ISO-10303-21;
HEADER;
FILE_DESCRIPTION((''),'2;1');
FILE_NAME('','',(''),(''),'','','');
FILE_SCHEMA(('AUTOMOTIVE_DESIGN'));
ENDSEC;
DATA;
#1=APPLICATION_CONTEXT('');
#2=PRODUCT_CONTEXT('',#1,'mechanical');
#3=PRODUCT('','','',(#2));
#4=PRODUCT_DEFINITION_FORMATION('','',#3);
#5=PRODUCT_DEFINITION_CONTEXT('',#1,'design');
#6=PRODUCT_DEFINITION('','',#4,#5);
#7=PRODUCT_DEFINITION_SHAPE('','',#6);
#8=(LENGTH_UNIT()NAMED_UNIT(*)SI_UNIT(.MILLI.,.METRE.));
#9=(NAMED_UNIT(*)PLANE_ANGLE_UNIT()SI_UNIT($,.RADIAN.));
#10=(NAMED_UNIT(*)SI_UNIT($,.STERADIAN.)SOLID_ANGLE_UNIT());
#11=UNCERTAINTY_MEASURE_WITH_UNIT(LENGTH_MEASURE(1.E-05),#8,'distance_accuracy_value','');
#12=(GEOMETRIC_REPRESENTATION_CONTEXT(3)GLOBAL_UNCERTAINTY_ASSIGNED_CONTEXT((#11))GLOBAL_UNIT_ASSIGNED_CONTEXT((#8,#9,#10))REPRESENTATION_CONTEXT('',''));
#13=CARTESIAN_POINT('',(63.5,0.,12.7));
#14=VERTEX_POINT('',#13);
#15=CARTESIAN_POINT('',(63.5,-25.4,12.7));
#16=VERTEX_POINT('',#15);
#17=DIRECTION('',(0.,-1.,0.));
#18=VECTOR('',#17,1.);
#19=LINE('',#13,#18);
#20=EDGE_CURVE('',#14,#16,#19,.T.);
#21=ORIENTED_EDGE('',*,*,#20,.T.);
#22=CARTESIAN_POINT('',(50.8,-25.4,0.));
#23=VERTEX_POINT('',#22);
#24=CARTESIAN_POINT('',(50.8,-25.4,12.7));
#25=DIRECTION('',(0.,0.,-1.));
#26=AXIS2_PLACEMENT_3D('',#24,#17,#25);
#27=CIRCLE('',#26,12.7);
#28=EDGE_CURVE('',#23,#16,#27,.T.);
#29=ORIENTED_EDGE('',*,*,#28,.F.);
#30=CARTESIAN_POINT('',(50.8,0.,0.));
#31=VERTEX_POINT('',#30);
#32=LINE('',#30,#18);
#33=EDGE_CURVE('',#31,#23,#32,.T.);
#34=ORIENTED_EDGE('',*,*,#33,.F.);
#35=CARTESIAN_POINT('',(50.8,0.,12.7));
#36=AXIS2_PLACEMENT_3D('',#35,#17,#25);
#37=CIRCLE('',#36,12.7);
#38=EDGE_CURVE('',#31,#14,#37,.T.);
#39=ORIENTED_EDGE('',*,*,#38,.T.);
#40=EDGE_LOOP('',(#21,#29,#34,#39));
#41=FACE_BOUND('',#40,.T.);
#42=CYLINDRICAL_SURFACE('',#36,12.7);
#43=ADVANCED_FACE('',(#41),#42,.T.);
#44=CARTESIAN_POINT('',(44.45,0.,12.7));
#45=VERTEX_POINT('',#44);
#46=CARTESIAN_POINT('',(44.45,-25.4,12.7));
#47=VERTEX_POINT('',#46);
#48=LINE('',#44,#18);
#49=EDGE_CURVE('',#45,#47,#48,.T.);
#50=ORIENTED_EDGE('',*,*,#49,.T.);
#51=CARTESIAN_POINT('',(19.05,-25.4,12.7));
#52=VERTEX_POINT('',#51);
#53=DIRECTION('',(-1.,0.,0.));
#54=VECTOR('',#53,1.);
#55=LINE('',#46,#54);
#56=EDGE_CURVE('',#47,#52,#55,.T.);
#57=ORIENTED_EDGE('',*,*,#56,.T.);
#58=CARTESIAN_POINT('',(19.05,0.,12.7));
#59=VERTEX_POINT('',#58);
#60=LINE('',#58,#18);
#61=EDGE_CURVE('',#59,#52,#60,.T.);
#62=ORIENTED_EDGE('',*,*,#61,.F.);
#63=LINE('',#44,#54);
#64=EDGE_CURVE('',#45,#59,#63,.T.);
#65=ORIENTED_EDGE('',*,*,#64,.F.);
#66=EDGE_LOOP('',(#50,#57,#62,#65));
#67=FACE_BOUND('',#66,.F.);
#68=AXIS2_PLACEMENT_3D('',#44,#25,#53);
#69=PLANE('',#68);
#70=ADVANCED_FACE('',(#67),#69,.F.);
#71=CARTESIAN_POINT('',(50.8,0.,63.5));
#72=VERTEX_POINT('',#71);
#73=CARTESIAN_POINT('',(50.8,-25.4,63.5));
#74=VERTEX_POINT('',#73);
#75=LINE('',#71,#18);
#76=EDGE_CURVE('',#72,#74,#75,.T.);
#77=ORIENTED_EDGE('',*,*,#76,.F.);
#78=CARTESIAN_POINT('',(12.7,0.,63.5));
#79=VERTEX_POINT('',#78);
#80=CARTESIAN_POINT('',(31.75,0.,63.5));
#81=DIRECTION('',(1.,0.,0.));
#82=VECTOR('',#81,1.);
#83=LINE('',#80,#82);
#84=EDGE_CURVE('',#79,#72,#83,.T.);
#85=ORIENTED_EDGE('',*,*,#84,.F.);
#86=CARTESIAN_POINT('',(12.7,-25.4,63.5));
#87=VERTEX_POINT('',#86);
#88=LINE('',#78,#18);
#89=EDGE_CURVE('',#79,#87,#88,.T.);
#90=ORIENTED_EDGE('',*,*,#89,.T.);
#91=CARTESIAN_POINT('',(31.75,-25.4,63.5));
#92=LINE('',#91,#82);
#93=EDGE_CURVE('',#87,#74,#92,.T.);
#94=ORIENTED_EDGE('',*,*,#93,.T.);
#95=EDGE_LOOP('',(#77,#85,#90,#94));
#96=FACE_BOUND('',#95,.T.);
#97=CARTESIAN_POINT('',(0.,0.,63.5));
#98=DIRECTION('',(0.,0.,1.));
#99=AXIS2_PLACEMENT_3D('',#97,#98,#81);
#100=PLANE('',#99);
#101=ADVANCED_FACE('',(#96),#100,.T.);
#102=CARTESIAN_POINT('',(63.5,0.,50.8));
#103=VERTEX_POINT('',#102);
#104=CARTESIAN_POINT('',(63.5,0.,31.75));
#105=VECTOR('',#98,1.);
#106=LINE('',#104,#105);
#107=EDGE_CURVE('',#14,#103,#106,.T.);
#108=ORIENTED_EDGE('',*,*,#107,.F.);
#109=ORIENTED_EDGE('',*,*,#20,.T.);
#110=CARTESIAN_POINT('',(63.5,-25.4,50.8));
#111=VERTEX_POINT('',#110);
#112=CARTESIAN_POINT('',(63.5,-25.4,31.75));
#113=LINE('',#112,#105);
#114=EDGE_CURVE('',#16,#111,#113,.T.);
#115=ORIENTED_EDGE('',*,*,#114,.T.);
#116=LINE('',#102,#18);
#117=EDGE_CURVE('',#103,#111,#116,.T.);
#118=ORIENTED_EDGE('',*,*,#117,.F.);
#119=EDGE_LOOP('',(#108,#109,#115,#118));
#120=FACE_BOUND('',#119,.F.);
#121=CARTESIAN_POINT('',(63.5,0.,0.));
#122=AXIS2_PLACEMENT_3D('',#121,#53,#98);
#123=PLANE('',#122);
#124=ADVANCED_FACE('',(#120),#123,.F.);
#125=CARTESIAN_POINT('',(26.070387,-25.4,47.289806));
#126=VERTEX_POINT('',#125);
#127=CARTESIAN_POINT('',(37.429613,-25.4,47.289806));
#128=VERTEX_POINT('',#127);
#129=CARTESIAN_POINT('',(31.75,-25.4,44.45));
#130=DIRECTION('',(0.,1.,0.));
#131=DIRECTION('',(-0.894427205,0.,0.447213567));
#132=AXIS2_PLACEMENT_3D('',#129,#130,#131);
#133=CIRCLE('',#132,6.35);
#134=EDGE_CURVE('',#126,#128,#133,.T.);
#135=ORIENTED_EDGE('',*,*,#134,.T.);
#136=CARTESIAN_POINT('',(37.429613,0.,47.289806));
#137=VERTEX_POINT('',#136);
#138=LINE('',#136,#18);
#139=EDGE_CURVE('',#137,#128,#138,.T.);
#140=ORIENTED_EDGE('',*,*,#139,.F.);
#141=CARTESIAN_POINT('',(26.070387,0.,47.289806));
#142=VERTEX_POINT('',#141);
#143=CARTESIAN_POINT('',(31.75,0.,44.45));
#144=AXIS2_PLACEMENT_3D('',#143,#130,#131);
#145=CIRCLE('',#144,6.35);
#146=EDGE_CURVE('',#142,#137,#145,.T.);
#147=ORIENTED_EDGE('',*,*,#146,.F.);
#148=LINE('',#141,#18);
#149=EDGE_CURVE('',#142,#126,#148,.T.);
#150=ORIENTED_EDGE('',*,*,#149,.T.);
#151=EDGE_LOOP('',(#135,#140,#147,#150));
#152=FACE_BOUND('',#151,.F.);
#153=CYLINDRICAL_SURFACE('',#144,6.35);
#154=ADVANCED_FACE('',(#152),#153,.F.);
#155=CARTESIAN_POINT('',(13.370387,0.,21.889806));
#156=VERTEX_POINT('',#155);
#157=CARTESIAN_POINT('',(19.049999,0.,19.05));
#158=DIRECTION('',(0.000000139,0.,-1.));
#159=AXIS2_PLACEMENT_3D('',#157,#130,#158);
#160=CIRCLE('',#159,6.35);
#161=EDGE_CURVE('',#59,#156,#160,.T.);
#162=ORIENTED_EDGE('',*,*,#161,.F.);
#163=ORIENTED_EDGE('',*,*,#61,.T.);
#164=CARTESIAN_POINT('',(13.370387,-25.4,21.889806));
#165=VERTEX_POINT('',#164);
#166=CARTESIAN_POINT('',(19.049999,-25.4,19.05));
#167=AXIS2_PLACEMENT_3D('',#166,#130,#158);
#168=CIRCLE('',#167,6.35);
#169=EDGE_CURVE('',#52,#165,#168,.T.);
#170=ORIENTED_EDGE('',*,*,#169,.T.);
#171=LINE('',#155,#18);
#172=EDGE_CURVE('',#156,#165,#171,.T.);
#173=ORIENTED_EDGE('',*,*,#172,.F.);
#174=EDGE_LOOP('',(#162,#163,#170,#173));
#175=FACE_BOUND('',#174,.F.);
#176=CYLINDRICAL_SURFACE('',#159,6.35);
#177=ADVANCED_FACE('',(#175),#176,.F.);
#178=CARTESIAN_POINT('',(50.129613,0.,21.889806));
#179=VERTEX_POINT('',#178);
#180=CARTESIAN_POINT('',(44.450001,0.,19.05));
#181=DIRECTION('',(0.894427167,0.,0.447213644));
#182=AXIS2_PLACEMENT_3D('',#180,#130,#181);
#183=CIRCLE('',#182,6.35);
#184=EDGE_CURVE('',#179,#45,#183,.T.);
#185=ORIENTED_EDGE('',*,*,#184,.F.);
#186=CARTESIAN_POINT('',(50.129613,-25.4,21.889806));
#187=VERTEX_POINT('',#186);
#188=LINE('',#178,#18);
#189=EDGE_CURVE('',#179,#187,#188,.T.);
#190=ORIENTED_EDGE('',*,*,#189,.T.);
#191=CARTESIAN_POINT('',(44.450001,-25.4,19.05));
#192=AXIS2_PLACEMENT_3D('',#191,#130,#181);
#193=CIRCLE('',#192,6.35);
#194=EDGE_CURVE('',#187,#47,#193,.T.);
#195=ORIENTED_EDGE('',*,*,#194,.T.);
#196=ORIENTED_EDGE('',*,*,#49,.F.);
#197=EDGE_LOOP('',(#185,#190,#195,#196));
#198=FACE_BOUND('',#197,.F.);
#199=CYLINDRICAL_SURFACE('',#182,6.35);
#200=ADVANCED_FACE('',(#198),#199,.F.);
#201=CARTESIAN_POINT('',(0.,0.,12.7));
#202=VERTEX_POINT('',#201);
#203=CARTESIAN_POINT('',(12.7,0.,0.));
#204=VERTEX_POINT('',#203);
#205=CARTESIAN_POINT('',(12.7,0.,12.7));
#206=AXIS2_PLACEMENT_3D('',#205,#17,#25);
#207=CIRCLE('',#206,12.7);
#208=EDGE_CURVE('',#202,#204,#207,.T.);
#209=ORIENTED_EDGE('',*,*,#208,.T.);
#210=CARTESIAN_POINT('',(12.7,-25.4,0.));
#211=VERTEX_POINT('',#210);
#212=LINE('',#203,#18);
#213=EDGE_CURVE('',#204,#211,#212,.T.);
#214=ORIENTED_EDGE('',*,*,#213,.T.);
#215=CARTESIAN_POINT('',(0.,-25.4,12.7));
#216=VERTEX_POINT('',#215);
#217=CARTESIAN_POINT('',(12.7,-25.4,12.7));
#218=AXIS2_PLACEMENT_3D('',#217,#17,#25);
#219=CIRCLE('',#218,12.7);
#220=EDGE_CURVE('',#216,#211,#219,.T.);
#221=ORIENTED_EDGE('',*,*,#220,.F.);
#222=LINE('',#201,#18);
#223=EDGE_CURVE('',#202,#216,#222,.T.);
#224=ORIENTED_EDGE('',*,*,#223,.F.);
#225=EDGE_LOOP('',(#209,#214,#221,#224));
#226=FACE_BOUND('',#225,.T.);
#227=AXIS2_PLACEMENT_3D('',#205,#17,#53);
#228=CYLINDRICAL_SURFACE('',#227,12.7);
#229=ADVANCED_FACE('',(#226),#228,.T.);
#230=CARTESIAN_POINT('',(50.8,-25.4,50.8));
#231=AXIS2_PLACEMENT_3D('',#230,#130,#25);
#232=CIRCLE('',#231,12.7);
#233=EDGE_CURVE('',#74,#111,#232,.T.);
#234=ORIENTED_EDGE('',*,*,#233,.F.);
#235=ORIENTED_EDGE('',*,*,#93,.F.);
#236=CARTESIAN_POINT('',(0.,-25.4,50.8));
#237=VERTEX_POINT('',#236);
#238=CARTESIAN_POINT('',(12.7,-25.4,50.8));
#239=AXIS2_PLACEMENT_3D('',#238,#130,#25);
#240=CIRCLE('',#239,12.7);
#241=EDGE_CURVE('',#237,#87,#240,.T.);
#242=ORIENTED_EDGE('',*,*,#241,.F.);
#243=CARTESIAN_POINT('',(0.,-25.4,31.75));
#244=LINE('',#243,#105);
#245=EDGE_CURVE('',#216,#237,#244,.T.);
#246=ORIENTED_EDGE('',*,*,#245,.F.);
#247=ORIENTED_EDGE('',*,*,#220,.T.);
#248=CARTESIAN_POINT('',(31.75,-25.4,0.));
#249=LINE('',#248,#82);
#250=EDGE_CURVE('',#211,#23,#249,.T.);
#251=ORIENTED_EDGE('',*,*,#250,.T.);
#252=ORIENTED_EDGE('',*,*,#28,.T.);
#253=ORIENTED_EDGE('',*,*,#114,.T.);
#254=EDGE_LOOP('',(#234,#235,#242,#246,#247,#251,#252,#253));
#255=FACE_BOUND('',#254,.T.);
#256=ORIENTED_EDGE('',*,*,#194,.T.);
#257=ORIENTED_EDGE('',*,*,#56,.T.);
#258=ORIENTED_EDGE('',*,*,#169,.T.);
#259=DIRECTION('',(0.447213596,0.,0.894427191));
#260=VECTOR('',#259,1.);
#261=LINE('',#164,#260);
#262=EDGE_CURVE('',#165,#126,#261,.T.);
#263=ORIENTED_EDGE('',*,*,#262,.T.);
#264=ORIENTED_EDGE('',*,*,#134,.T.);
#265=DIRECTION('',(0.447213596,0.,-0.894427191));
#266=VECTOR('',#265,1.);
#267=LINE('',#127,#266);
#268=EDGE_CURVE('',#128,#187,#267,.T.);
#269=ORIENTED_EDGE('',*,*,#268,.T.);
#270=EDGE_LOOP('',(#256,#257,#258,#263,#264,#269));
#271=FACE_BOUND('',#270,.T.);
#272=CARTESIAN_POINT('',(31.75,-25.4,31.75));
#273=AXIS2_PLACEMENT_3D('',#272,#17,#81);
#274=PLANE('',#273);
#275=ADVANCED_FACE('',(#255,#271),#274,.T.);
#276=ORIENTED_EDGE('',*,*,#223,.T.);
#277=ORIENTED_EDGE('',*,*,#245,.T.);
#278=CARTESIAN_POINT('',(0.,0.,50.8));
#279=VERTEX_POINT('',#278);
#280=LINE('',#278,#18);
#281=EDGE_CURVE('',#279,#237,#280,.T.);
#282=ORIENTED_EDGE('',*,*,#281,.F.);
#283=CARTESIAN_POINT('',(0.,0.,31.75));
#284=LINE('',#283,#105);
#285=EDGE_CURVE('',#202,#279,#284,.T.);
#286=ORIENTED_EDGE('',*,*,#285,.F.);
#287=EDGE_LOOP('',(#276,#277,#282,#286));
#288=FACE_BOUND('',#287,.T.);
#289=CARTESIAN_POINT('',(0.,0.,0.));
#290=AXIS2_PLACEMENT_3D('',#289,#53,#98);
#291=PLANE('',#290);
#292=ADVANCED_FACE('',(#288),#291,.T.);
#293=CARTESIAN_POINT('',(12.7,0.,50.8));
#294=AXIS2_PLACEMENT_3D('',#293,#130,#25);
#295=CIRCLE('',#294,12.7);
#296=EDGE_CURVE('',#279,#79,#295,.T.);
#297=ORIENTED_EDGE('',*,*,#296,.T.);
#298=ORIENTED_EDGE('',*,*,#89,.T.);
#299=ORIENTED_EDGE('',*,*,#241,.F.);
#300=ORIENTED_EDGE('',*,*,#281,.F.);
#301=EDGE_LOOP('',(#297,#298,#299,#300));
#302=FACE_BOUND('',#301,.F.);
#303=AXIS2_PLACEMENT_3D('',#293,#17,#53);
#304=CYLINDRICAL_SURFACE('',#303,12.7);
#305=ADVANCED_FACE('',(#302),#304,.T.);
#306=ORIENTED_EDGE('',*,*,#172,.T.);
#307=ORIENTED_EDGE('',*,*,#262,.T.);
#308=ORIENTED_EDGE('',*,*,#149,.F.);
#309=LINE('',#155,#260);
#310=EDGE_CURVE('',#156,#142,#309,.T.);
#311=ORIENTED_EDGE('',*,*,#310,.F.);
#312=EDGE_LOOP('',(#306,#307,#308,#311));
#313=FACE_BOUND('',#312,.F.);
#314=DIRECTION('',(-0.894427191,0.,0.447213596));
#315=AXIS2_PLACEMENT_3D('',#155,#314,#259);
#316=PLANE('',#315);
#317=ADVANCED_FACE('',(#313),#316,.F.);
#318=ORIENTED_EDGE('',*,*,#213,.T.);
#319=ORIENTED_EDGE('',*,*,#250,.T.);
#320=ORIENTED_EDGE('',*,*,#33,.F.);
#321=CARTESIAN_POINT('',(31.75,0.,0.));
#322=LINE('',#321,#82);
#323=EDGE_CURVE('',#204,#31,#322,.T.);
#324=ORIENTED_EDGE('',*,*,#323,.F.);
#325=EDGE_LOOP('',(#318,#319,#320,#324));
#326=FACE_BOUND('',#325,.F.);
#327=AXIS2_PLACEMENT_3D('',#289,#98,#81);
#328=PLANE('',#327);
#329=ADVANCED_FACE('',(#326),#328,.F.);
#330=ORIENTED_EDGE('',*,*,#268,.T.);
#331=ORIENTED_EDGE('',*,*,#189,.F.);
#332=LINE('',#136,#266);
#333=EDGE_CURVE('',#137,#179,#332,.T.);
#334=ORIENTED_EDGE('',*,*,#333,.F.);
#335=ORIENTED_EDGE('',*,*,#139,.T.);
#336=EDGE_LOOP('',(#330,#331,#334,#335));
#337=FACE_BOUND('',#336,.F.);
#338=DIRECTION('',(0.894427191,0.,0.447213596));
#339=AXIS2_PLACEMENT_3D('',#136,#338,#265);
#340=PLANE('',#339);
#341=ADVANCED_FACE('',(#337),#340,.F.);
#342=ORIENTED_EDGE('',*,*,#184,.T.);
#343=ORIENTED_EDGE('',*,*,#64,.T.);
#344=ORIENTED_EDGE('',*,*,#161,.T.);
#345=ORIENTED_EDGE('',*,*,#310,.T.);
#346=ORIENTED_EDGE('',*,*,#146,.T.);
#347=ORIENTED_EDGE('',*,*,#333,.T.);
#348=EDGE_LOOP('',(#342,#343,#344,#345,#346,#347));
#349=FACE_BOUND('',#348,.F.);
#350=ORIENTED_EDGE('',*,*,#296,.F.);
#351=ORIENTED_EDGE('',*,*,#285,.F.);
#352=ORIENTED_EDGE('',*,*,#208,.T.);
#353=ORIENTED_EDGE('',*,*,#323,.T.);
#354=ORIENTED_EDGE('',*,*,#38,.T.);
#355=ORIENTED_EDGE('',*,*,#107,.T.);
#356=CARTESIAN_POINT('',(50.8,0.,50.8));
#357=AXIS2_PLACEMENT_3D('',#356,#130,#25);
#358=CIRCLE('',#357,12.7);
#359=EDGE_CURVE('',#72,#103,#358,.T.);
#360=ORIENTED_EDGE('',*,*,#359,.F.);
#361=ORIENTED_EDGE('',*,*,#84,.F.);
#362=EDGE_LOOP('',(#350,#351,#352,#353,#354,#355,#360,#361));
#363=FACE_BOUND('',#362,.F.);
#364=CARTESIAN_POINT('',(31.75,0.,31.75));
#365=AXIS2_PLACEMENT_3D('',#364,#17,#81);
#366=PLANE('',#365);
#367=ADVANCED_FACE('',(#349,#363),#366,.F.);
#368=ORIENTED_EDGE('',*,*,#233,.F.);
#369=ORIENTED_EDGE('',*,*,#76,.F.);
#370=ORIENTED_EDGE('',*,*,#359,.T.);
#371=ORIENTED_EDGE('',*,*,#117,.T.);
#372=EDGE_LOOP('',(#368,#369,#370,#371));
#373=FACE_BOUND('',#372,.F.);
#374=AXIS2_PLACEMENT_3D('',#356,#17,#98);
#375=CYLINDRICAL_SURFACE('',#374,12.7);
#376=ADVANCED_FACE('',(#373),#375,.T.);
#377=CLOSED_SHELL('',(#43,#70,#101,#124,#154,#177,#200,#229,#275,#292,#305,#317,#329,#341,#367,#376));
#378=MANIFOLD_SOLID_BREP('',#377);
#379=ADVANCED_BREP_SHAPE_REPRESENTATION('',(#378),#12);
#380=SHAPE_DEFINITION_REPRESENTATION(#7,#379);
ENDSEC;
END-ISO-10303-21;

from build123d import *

# Parameters (mm, degrees)
F0_W     = 63.5
F0_H     = 63.5
F1_DEPTH = 25.4
F2_R     = 12.7


with BuildPart() as f1:
    # F0 (on Front) → F1 (new body)
    with BuildSketch(Plane.XZ):
        with Locations((31.75, 31.75)):
            Rectangle(F0_W, F0_H)
        with BuildLine():
            ThreePointArc((19.05, 12.7), (13.648367, 15.711607), (13.370387, 21.889806))
            Line((13.370387, 21.889806), (26.070387, 47.289806))
            ThreePointArc((26.070387, 47.289806), (31.75, 50.8), (37.429613, 47.289806))
            Line((37.429613, 47.289806), (50.129613, 21.889806))
            ThreePointArc((50.129613, 21.889806), (49.851633, 15.711607), (44.45, 12.7))
            Line((44.45, 12.7), (19.05, 12.7))
        make_face(mode=Mode.SUBTRACT)
    extrude(amount=F1_DEPTH)

    # F2
    f2_edges = [f1.edges().sort_by_distance(p)[0] for p in [
        (63.5, -12.7, 63.5),
        (0, -12.7, 63.5),
        (0, -12.7, 0),
        (63.5, -12.7, 0),
    ]]
    fillet(f2_edges, radius=F2_R)


solid = f1.part
